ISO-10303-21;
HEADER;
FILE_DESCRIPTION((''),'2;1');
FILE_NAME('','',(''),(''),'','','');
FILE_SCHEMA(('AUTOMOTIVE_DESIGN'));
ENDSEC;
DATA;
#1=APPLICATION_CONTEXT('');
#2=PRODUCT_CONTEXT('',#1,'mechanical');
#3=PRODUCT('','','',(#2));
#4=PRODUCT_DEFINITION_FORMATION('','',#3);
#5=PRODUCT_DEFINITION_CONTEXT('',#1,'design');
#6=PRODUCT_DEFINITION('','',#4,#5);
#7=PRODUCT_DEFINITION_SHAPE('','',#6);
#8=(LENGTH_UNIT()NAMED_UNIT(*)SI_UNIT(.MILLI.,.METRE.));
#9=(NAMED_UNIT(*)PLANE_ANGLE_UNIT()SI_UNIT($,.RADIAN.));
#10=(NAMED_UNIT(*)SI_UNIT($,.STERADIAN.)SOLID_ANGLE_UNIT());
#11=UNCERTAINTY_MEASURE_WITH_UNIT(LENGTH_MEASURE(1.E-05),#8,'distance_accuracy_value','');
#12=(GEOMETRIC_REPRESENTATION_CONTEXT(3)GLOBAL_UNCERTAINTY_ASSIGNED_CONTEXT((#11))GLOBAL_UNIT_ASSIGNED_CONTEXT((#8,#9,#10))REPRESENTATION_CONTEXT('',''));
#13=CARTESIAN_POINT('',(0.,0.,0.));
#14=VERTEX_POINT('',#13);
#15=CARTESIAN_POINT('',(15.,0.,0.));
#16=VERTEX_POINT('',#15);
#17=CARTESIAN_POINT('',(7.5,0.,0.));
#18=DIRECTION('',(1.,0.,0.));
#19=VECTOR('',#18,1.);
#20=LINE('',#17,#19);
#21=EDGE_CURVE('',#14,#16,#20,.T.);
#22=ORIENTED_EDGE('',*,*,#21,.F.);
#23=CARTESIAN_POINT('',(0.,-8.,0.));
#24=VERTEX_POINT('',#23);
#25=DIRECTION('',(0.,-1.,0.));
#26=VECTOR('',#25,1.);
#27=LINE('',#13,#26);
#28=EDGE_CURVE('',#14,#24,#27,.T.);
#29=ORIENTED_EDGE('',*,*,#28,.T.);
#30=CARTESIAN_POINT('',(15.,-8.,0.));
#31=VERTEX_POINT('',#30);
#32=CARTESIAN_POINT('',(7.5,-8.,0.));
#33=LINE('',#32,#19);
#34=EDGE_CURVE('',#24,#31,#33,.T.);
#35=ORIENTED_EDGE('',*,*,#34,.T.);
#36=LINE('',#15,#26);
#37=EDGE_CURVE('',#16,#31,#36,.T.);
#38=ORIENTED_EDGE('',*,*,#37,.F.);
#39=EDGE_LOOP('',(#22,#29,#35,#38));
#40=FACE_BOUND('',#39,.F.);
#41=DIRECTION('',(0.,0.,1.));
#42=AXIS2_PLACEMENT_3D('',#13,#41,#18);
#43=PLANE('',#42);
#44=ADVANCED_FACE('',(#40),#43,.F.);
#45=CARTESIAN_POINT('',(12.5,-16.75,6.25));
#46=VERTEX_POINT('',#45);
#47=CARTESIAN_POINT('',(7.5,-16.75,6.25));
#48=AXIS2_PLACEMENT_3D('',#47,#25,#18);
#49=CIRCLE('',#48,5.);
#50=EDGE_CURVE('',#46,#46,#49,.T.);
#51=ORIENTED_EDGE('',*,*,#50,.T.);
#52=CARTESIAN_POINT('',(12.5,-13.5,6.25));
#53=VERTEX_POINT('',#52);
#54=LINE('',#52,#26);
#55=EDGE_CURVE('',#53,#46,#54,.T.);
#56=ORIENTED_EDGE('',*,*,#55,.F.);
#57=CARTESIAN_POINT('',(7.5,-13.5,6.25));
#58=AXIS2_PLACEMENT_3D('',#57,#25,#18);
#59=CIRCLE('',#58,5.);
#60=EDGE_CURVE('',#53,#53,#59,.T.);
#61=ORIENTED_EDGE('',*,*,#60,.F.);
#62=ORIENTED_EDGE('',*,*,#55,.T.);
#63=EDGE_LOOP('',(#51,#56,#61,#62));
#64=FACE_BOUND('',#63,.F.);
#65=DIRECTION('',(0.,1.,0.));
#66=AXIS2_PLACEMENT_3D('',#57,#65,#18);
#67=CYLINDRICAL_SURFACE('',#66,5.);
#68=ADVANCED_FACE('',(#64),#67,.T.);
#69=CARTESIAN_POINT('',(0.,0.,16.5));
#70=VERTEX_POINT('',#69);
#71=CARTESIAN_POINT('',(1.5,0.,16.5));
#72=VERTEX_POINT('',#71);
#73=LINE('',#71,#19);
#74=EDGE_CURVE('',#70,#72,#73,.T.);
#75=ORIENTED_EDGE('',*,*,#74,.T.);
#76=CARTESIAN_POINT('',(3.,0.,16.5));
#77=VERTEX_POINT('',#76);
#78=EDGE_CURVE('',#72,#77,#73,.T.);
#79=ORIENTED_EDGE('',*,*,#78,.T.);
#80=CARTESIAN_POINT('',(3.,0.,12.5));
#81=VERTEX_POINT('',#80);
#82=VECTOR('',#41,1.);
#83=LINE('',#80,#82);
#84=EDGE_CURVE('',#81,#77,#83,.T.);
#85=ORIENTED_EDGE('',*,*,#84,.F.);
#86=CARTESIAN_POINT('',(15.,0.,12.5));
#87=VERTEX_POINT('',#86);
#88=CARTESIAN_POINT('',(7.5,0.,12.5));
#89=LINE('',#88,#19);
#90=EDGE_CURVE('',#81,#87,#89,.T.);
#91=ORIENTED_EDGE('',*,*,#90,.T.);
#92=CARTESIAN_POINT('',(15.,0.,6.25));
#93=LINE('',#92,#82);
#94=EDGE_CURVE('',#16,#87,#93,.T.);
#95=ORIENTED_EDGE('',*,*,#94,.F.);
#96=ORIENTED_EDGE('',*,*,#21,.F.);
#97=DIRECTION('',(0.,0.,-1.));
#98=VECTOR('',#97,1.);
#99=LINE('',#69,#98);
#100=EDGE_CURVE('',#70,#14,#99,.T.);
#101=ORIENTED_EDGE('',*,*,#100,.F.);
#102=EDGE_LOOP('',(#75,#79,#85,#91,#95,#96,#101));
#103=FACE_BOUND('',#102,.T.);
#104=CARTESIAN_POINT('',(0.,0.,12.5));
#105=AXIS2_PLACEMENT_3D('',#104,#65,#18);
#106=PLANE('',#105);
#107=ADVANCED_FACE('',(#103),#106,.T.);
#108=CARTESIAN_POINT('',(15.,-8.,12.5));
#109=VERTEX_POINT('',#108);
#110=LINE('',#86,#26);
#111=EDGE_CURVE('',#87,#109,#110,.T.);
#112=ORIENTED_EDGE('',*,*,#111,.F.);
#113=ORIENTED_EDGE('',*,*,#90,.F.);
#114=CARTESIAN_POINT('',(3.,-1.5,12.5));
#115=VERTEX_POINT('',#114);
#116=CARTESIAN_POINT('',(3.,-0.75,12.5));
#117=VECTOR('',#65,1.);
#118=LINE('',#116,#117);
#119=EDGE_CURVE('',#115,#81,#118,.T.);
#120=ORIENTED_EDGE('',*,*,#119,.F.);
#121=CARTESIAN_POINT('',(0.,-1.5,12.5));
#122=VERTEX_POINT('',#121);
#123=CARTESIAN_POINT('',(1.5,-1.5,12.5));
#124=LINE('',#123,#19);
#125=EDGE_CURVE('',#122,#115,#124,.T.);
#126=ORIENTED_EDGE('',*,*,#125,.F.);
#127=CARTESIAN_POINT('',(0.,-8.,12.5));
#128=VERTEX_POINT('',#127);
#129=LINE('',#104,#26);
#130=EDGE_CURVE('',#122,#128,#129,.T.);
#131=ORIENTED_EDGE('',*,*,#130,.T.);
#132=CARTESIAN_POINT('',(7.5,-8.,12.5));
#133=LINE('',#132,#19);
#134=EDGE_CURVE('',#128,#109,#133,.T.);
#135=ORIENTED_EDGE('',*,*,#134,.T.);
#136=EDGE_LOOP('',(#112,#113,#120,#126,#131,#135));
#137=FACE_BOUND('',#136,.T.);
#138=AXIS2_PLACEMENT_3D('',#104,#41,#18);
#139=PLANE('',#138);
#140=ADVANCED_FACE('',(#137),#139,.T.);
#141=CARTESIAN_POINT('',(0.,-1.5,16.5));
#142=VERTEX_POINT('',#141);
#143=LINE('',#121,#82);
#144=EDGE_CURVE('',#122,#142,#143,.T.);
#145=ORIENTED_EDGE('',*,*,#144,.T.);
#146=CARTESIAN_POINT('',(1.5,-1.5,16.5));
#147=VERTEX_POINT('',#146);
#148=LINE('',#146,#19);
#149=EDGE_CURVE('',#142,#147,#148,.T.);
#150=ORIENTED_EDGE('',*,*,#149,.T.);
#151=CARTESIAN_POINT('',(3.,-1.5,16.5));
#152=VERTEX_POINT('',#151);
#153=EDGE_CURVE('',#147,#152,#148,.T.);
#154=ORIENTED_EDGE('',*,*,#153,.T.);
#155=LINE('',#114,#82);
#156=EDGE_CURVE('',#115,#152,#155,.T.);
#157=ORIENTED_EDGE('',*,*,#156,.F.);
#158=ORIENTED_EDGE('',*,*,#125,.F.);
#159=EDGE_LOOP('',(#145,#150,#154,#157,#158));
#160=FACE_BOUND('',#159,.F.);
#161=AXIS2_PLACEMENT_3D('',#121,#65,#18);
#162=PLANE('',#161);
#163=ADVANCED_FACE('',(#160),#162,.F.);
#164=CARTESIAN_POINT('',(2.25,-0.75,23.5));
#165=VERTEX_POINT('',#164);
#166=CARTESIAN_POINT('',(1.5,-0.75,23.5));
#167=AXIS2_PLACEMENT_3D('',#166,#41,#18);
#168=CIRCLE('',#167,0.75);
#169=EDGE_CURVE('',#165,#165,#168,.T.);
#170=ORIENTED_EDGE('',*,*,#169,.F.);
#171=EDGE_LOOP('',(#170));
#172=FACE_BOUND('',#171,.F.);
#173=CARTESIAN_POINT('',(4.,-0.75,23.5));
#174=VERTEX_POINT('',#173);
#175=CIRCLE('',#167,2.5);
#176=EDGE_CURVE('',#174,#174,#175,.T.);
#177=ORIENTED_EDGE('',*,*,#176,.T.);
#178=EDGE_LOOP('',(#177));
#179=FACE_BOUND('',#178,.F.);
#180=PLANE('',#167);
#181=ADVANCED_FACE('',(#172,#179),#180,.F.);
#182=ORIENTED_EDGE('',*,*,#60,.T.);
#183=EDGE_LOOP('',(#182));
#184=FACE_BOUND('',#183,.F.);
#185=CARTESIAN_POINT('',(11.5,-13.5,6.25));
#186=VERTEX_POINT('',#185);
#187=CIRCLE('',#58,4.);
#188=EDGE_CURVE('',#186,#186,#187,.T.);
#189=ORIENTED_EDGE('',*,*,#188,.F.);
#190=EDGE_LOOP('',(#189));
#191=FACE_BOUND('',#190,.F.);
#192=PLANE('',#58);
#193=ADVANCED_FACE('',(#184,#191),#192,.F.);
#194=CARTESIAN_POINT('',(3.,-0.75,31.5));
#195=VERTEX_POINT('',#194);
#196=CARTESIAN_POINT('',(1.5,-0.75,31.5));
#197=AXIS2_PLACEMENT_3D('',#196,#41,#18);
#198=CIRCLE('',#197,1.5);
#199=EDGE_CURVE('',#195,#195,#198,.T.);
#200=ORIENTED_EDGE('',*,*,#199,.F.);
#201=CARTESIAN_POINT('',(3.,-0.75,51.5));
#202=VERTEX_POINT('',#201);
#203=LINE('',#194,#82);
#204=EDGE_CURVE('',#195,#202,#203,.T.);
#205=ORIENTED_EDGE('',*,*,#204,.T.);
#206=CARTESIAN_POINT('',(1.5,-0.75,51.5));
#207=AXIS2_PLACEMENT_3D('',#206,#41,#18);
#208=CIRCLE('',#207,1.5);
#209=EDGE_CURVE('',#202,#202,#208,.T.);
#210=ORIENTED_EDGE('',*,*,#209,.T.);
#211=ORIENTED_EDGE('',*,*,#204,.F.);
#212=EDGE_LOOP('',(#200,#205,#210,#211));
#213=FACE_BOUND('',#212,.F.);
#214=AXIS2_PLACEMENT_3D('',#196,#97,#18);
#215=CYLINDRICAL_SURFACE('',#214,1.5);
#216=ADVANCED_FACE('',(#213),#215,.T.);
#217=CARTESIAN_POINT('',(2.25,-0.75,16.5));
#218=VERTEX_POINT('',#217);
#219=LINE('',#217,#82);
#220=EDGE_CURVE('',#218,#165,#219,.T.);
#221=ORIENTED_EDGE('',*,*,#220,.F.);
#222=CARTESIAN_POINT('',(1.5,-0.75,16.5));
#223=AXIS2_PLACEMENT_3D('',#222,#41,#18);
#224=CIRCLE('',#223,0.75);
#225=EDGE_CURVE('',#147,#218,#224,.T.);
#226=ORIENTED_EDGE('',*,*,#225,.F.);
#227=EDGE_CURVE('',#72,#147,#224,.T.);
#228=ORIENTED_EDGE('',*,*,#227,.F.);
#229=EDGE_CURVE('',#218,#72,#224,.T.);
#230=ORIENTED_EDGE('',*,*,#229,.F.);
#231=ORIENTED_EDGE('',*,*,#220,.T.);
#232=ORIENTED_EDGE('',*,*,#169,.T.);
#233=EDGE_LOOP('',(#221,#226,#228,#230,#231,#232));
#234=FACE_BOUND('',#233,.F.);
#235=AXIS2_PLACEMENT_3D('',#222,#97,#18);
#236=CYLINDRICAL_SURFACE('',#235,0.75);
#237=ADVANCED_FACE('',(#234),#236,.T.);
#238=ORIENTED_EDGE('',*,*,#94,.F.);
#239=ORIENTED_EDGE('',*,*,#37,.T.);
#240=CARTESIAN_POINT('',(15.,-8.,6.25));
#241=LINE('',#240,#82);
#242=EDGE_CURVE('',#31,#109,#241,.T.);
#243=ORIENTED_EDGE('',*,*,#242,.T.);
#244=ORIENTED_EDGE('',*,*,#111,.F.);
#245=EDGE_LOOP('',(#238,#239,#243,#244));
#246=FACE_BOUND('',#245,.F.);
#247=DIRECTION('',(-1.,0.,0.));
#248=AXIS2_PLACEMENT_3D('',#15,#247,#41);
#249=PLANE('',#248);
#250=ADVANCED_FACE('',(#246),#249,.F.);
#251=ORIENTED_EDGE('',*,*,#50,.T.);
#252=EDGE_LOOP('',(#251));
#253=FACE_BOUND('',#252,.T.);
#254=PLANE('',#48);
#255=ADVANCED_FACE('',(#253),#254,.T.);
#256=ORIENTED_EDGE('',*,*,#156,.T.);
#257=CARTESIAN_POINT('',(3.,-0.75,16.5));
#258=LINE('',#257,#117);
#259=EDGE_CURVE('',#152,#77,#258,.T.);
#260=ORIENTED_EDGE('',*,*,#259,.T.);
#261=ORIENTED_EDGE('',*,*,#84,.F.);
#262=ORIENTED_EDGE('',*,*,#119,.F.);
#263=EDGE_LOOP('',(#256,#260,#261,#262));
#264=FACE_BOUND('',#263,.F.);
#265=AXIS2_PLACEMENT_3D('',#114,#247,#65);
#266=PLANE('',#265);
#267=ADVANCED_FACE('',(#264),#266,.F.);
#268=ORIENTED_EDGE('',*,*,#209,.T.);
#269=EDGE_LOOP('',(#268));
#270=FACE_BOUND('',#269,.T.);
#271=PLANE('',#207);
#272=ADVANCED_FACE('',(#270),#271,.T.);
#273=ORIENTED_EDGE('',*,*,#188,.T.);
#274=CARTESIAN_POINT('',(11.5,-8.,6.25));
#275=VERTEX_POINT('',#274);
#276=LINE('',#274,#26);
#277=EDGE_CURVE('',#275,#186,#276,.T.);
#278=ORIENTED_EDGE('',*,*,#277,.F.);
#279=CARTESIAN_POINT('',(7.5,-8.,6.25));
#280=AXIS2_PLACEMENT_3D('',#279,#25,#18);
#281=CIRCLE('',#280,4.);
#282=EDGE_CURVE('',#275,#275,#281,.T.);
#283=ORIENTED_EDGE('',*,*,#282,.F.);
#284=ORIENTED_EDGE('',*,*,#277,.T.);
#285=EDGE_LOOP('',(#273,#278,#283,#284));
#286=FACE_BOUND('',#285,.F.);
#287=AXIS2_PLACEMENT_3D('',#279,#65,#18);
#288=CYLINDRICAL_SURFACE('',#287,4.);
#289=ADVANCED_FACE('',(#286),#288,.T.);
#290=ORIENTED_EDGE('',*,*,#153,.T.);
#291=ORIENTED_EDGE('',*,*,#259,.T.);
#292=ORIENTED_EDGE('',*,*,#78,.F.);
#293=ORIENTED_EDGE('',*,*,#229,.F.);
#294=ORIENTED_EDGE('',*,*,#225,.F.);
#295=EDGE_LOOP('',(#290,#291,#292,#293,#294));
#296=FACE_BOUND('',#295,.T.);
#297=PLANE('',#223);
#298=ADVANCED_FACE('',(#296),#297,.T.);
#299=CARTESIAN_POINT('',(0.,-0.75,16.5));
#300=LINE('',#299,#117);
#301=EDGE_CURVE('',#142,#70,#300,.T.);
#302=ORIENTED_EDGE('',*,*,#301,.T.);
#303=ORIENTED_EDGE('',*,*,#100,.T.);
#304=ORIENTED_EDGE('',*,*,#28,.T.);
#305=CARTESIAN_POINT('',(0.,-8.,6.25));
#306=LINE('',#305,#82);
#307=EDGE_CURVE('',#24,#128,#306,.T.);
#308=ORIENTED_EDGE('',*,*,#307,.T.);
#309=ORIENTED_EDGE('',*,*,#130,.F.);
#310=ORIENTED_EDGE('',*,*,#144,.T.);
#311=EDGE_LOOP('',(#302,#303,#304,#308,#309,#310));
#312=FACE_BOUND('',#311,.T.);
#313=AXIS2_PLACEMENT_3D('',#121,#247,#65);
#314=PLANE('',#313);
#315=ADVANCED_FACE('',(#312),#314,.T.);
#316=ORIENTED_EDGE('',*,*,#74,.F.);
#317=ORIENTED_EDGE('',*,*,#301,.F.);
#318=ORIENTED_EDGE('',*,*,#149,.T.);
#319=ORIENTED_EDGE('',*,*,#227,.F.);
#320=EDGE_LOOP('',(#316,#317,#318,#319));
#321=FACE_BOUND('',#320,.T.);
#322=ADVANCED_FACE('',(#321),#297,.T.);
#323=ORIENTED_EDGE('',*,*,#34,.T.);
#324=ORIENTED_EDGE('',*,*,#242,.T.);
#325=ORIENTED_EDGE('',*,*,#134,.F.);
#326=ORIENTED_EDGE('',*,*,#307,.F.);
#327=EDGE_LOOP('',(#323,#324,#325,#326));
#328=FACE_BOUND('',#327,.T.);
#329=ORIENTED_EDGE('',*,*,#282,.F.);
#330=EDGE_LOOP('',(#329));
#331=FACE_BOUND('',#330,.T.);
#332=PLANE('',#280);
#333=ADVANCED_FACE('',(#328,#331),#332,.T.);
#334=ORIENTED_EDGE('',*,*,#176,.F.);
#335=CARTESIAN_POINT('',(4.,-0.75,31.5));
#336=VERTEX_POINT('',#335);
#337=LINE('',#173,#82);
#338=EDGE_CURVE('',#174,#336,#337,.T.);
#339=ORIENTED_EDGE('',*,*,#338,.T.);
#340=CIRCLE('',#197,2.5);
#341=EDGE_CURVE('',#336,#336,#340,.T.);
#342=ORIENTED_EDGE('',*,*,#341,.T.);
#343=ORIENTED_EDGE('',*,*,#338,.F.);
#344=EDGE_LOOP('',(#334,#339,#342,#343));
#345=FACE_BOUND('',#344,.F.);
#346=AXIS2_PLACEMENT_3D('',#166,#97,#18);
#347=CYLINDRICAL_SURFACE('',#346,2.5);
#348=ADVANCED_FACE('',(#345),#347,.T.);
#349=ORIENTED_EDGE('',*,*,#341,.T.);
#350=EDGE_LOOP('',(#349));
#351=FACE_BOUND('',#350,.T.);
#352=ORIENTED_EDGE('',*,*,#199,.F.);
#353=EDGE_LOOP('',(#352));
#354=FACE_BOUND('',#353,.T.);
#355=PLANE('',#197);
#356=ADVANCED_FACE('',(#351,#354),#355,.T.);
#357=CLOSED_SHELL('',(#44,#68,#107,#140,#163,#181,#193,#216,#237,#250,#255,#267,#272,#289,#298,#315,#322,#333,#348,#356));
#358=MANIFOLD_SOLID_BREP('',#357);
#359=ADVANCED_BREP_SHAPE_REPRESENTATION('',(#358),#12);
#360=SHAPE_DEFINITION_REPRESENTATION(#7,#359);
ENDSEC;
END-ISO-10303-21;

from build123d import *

# Parameters (mm, degrees)
F0_W      = 15
F0_H      = 12.5
F1_DEPTH  = 8
F2_R      = 4
F3_DEPTH  = 5.5
F4_R      = 5
F5_DEPTH  = 3.25
F6_W      = 3
F6_H      = 1.5
F7_DEPTH  = 4
F8_R      = 0.75
F9_DEPTH  = 7
F10_R     = 2.5
F11_DEPTH = 8
F12_R     = 1.5
F13_DEPTH = 20


with BuildPart() as f1:
    # F0 (on Front) → F1 (new body)
    with BuildSketch(Plane.XZ):
        with Locations((7.5, 6.25)):
            Rectangle(F0_W, F0_H)
    extrude(amount=F1_DEPTH)

    # F2 (on face) → F3 (join)
    with BuildSketch(Plane.XZ.offset(8)):
        with Locations((7.5, 6.25)):
            Circle(F2_R)
    extrude(amount=F3_DEPTH)

    # F4 (on face) → F5 (join)
    with BuildSketch(Plane.XZ.offset(13.5)):
        with Locations((7.5, 6.25)):
            Circle(F4_R)
    extrude(amount=F5_DEPTH)

    # F6 (on face) → F7 (join)
    with BuildSketch(Plane.XY.offset(12.5)):
        with Locations((1.5, -0.75)):
            Rectangle(F6_W, F6_H)
    extrude(amount=F7_DEPTH)

    # F8 (on face) → F9 (join)
    with BuildSketch(Plane.XY.offset(16.5)):
        with Locations((1.5, -0.75)):
            Circle(F8_R)
    extrude(amount=F9_DEPTH)

    # F10 (on face) → F11 (join)
    with BuildSketch(Plane.XY.offset(23.5)):
        with Locations((1.5, -0.75)):
            Circle(F10_R)
    extrude(amount=F11_DEPTH)

    # F12 (on face) → F13 (join)
    with BuildSketch(Plane.XY.offset(31.5)):
        with Locations((1.5, -0.75)):
            Circle(F12_R)
    extrude(amount=F13_DEPTH)


solid = f1.part
